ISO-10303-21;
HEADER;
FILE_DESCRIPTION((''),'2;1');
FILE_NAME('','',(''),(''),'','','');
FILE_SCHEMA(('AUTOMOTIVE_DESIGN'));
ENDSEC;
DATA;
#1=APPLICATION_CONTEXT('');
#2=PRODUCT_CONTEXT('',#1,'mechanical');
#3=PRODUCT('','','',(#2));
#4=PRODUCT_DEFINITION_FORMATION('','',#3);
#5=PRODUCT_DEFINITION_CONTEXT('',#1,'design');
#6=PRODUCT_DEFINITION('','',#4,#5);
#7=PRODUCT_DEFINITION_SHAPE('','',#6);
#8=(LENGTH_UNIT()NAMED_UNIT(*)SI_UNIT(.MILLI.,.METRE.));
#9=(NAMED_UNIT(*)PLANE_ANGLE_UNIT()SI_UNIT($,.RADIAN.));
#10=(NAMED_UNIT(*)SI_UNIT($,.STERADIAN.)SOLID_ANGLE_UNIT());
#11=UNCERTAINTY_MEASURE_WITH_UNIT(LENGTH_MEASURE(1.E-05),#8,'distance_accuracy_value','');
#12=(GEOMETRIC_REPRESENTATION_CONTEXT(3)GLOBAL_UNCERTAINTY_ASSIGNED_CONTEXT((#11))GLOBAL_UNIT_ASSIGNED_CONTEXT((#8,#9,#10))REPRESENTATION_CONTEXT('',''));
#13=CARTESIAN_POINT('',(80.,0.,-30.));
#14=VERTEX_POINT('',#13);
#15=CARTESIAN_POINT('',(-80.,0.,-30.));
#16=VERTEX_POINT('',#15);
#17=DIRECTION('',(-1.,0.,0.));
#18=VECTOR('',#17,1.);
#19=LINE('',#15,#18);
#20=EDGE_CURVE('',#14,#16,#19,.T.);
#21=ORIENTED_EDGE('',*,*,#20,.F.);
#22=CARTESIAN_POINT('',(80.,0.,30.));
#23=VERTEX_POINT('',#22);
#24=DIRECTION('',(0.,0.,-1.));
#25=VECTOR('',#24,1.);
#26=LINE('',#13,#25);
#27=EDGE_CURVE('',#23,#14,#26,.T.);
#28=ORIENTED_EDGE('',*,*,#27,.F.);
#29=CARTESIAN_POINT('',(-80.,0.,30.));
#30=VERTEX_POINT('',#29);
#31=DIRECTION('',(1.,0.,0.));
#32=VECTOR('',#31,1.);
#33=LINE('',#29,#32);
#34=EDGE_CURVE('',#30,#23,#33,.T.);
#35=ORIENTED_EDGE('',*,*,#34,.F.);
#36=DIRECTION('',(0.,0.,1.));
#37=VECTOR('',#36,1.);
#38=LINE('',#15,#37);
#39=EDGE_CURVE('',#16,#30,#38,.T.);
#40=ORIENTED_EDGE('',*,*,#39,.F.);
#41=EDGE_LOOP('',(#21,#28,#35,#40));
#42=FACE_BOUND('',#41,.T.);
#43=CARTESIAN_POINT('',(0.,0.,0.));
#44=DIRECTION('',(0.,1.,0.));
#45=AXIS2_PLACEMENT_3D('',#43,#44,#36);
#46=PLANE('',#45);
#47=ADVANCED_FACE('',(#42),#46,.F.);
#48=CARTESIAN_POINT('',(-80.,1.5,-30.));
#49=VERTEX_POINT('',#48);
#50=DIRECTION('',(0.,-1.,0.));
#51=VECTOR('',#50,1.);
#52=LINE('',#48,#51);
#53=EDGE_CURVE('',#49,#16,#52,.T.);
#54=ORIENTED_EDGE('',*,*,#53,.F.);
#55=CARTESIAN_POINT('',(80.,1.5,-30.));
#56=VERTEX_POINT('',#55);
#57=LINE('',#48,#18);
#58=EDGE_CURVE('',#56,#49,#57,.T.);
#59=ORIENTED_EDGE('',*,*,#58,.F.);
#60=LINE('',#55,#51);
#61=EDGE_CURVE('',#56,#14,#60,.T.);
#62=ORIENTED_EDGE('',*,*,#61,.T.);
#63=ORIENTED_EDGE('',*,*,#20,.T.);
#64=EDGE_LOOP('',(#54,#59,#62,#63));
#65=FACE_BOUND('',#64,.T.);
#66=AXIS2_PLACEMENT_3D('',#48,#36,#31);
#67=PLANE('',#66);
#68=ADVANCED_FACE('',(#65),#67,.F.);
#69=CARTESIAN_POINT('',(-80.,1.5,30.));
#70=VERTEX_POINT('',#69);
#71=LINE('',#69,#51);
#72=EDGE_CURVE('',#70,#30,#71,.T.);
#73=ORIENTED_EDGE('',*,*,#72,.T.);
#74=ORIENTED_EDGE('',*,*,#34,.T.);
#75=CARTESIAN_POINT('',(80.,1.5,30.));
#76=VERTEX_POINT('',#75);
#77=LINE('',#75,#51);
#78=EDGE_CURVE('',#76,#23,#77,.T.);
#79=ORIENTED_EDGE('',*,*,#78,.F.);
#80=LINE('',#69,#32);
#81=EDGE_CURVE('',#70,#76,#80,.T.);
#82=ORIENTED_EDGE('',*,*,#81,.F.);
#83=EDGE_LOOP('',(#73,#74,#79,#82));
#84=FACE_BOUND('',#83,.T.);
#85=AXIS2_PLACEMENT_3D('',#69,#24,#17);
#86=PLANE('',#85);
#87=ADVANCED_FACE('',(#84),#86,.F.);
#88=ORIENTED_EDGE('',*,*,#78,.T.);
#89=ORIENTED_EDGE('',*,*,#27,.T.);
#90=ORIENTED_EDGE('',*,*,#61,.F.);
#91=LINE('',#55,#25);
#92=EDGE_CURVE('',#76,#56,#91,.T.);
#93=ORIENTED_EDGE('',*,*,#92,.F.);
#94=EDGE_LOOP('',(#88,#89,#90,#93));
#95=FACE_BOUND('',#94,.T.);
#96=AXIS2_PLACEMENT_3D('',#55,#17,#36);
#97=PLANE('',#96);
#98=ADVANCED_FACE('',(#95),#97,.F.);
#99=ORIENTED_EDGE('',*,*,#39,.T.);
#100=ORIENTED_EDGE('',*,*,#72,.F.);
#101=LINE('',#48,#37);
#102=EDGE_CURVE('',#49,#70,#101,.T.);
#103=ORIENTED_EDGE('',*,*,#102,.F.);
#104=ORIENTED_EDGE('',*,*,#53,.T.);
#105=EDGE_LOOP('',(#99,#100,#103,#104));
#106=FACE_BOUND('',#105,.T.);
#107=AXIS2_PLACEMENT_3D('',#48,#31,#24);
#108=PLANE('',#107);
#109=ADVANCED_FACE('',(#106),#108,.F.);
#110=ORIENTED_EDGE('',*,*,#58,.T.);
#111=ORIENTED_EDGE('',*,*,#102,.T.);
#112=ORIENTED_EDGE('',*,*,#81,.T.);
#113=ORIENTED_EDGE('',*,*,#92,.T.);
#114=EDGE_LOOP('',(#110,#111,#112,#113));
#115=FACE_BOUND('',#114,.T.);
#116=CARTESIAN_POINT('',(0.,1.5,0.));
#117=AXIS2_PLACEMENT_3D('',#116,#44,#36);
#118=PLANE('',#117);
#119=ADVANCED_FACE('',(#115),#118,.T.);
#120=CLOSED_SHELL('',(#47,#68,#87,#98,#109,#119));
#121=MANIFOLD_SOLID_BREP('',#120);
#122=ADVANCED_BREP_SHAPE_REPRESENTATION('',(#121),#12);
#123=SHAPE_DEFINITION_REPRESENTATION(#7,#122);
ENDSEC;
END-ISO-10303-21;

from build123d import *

# Parameters (mm, degrees)
SKETCH_1_W      = 160
SKETCH_1_H      = 60
EXTRUDE_1_DEPTH = 1.5


with BuildPart() as part:
    # Эскиз1 → Бобышка-Вытянуть1 (new body)
    with BuildSketch(Plane(origin=(0, 0, 0), x_dir=(1, 0, 0), z_dir=(0, 1, 0))):
        Rectangle(SKETCH_1_W, SKETCH_1_H)
    extrude(amount=EXTRUDE_1_DEPTH)


solid = part.part
